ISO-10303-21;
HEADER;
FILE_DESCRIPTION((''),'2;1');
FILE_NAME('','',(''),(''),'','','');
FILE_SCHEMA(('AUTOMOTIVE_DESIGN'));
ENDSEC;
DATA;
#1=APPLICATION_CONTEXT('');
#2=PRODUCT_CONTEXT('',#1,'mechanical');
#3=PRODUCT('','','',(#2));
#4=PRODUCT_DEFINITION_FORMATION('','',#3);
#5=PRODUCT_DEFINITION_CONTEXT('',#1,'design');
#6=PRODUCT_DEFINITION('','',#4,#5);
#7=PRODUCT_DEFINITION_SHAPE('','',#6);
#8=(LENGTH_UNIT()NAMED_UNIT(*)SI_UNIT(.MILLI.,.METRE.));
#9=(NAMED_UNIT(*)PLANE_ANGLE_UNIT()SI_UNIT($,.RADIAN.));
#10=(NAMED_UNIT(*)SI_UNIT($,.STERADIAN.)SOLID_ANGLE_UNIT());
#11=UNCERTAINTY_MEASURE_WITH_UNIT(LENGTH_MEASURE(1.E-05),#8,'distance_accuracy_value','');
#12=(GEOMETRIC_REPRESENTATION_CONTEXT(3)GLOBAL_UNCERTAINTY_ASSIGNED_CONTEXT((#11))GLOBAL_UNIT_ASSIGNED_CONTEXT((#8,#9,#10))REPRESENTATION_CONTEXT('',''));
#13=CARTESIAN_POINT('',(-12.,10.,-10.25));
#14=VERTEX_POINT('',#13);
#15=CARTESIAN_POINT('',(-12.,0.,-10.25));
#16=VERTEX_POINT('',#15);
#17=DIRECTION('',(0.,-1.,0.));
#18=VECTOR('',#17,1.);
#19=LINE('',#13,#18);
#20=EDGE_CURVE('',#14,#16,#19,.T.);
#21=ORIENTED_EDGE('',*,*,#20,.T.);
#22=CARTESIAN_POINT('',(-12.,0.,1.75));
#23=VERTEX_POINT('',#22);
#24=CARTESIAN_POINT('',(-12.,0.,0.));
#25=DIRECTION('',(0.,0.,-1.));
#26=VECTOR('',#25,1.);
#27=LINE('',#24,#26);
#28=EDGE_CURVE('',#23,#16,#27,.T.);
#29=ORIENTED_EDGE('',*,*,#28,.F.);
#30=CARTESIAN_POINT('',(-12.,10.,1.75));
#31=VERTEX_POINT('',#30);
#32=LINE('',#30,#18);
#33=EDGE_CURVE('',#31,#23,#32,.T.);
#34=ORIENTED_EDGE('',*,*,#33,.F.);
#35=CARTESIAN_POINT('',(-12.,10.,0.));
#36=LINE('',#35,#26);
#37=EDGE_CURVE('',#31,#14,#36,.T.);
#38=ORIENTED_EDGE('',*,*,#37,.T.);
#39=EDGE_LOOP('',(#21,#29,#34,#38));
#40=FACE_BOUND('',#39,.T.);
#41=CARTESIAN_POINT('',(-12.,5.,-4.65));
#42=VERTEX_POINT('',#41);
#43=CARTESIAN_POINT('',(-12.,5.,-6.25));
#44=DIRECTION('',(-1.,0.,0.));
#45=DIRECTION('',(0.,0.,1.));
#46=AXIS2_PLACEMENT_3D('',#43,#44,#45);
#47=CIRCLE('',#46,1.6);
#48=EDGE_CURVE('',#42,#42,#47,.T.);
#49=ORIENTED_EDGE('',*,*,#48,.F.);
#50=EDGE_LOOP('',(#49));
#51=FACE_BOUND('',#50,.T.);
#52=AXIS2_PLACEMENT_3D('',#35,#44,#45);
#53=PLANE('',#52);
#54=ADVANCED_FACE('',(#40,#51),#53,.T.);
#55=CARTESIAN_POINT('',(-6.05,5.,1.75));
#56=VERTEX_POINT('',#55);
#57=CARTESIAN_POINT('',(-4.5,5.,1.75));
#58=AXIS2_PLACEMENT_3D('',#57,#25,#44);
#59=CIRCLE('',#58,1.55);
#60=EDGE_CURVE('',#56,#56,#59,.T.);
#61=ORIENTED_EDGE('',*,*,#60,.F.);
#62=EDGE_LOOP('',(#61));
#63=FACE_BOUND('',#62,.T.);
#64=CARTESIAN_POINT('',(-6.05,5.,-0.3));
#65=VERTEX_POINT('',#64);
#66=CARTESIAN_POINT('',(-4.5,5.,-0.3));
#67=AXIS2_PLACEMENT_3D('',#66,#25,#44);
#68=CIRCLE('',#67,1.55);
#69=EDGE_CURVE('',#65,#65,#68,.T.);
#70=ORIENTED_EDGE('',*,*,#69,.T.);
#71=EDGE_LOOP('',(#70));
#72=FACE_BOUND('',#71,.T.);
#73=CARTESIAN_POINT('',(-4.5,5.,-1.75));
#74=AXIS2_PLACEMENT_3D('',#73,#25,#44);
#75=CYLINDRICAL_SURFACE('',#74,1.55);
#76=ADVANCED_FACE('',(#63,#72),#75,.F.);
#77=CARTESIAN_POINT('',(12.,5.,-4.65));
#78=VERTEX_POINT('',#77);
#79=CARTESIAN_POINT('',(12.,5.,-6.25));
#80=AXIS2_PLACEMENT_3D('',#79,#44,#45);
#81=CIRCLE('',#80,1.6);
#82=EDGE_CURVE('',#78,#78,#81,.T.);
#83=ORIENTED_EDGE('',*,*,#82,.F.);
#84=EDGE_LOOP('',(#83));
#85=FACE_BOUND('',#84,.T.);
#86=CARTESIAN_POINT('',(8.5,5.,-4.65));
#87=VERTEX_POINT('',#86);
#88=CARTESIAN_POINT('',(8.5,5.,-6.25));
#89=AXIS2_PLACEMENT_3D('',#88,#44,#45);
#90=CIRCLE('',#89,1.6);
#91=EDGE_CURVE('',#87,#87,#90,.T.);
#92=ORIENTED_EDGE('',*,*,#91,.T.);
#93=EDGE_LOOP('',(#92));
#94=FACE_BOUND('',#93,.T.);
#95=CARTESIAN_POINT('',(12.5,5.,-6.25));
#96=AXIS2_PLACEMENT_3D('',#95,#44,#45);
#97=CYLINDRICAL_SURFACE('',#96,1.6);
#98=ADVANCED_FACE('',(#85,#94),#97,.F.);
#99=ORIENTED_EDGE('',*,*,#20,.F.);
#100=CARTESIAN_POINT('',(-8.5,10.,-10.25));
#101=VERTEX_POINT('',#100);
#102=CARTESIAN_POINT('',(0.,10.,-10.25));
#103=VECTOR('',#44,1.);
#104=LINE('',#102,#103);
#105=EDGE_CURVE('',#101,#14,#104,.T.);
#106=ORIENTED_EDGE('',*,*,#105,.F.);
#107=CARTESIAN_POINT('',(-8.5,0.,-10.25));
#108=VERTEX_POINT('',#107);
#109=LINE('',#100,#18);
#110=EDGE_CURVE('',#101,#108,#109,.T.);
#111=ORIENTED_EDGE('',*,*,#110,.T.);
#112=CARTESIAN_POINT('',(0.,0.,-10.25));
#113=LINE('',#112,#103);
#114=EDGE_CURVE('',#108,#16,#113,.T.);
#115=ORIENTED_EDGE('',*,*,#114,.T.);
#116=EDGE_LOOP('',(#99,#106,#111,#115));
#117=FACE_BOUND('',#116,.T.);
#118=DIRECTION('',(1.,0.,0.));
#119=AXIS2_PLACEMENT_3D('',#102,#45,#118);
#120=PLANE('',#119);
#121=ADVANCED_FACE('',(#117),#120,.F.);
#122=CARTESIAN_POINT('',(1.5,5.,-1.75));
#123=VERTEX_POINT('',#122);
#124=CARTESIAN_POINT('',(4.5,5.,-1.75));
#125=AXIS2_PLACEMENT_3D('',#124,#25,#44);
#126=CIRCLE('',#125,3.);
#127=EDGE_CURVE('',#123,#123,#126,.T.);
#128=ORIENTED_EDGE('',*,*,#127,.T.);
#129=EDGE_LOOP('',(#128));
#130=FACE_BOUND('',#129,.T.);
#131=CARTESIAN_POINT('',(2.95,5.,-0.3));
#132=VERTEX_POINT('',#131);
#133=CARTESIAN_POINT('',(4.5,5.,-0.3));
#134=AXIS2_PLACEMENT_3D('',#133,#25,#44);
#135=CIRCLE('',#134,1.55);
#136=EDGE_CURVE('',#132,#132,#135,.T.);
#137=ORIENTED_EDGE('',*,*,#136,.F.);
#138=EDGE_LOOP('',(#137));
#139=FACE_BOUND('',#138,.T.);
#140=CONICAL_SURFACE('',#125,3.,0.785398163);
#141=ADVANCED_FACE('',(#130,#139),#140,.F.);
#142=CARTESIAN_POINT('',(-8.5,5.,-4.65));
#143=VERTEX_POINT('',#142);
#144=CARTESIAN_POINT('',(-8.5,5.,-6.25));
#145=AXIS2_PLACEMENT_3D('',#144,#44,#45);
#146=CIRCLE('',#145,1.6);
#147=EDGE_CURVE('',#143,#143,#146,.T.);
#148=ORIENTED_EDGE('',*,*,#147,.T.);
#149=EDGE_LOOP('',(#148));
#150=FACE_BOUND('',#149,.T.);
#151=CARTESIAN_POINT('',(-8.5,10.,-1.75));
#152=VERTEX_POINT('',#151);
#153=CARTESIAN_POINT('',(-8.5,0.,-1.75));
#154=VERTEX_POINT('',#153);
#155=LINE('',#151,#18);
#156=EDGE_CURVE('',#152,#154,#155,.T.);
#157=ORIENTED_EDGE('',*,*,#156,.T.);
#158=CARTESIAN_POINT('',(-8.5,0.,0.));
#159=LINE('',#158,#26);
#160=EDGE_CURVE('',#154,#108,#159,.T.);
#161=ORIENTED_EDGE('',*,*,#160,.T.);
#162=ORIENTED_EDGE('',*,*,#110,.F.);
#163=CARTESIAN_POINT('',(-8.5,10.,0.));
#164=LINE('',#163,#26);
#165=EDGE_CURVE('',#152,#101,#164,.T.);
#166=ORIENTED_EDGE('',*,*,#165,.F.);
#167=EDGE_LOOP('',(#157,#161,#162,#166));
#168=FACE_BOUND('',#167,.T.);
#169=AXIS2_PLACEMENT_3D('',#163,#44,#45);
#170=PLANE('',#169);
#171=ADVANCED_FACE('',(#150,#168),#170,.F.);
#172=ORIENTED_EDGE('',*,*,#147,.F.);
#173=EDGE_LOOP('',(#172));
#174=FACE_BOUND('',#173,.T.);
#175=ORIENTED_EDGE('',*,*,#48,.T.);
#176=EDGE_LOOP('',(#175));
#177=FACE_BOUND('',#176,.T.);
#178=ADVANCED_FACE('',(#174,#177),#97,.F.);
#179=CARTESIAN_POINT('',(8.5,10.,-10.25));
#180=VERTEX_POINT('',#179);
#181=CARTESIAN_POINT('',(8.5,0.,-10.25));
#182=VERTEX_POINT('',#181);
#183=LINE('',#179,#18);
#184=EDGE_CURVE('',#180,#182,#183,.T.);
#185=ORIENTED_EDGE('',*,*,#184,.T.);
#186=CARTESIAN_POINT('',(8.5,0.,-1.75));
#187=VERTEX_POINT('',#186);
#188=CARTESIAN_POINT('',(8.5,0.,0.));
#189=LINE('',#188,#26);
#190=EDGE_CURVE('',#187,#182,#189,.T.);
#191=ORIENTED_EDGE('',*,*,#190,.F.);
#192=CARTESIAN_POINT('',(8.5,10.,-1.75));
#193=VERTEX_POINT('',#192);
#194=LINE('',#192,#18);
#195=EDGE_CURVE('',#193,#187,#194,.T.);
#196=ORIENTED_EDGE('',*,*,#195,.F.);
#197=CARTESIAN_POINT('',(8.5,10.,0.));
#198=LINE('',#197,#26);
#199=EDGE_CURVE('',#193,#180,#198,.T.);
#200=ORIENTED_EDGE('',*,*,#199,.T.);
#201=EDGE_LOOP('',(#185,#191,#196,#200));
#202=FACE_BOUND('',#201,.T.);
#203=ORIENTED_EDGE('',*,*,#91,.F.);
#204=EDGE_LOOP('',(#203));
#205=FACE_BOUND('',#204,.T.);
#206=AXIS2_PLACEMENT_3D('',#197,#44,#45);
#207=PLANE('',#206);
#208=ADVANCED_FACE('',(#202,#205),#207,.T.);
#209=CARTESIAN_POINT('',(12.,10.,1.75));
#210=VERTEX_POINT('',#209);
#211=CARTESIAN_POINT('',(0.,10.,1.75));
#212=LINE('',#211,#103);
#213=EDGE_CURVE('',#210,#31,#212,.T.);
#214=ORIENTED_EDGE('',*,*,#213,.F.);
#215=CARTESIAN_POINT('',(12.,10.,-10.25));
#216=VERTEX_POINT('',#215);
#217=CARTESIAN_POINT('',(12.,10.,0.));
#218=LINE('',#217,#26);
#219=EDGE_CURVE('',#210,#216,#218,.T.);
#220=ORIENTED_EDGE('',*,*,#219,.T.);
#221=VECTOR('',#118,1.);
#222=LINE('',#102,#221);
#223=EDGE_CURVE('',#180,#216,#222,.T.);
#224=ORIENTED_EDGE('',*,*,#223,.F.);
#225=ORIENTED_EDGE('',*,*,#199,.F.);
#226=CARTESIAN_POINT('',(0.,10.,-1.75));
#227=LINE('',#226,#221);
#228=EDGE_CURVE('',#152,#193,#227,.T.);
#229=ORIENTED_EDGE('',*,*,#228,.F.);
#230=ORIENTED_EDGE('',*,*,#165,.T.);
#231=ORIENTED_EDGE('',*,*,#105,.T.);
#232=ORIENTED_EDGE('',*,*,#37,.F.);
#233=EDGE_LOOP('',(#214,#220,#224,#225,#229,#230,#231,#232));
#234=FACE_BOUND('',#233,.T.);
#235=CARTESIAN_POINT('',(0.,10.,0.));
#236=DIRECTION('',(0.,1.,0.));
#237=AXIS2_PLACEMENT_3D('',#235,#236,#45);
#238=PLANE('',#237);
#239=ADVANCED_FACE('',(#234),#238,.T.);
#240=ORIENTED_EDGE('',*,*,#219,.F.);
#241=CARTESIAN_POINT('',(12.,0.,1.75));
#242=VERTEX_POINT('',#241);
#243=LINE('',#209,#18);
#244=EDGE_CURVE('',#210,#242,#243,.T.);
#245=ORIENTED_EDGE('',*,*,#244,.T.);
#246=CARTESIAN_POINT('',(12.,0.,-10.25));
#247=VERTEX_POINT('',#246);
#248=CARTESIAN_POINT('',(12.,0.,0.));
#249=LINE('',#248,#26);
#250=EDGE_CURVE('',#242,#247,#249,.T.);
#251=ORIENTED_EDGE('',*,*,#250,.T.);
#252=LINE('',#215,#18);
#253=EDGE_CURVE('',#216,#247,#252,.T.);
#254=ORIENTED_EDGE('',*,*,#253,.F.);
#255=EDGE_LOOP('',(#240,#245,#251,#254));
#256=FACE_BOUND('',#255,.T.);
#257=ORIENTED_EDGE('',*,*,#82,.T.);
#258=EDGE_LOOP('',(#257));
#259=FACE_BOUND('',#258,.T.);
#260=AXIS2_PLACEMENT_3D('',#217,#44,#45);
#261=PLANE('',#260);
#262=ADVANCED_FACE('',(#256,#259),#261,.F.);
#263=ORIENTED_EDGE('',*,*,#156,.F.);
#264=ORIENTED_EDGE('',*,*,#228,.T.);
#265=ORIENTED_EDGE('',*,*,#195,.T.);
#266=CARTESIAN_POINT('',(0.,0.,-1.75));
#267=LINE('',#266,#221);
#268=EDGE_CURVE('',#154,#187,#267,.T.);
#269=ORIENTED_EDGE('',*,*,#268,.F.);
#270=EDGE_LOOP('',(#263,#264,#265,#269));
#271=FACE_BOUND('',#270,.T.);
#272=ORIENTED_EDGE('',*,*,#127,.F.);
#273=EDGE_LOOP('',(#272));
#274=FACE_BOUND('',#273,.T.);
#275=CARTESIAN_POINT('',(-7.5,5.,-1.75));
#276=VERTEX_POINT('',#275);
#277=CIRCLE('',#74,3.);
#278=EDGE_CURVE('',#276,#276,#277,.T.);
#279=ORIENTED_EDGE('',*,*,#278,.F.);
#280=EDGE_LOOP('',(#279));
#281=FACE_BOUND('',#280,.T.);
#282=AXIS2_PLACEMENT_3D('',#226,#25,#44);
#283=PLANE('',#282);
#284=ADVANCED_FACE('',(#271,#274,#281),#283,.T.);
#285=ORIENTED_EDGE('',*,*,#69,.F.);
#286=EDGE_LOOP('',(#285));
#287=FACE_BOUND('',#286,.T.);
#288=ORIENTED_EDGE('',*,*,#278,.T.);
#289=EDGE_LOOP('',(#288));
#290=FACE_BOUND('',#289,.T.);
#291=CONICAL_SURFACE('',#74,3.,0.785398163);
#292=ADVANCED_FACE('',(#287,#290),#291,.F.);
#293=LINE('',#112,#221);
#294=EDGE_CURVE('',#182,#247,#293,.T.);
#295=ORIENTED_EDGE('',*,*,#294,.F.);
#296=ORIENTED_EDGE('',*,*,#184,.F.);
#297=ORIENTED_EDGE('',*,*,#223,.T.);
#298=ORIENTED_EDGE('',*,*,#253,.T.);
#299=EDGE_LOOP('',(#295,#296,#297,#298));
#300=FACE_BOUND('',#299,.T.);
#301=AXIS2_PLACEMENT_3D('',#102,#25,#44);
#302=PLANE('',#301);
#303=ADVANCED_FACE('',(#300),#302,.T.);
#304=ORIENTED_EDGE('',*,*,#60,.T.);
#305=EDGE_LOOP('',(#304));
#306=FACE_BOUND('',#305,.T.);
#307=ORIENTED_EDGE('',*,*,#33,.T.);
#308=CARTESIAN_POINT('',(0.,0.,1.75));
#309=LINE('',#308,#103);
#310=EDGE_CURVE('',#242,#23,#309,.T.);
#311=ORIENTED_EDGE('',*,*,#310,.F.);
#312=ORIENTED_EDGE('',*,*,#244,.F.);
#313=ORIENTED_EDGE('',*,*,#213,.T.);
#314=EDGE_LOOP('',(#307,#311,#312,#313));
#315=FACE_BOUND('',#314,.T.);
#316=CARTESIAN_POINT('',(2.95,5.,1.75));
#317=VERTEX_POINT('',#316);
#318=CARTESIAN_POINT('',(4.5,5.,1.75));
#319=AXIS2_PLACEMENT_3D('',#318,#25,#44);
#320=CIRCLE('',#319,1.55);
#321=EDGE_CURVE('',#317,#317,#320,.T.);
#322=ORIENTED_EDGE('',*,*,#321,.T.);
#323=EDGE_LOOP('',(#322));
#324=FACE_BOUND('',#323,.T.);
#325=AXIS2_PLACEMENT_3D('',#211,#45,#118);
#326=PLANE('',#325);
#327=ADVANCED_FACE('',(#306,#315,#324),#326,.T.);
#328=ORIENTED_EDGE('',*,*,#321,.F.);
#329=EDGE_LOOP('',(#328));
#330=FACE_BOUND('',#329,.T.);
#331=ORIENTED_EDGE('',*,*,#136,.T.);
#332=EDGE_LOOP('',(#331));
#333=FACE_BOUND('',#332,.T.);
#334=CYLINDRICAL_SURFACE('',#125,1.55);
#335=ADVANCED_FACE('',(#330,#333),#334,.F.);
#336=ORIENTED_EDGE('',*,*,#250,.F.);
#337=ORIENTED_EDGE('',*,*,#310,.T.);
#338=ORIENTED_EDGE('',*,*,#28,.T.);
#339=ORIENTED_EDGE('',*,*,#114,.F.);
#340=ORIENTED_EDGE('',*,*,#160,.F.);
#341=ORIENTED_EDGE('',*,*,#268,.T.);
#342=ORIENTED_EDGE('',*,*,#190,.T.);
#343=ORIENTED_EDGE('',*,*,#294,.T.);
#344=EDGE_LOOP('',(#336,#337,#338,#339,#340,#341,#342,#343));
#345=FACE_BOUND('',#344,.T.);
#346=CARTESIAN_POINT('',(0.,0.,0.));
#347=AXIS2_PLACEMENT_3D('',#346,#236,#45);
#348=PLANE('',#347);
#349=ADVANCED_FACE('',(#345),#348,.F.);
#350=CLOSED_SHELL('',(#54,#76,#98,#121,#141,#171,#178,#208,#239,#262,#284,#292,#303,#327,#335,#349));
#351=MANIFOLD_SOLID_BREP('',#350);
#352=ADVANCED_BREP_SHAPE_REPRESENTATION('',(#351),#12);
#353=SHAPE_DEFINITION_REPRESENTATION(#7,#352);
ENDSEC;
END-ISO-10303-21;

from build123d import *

# Parameters (mm, degrees)
SKETCH1_W                                           = 17
SKETCH1_H                                           = 3.5
BOSS_EXTRUDE1_DEPTH                                 = 10
SKETCH2_R                                           = 1.6
CUT_EXTRUDE1_DEPTH                                  = 25
SKETCH3_R                                           = 1.5
CUT_EXTRUDE2_DEPTH                                  = 4.5
CSK_FOR_M4_COUNTERSUNK_FLAT_HEAD_SCREW1_D           = 3.1
CSK_FOR_M4_COUNTERSUNK_FLAT_HEAD_SCREW1_CSINK_D     = 6
CSK_FOR_M4_COUNTERSUNK_FLAT_HEAD_SCREW1_CSINK_ANGLE = 90


with BuildPart() as part:
    # Sketch1 → Boss-Extrude1 (new body)
    with BuildSketch(Plane(origin=(0, 0, 0), x_dir=(1, 0, 0), z_dir=(0, 1, 0))):
        Polygon((-12, -1.75), (-8.5, -1.75), (-8.5, 1.75), (-8.5, 10.25), (-12, 10.25), align=None)
        Rectangle(SKETCH1_W, SKETCH1_H)
        Polygon((8.5, 1.75), (8.5, -1.75), (12, -1.75), (12, 10.25), (8.5, 10.25), align=None)
    extrude(amount=BOSS_EXTRUDE1_DEPTH)

    # Sketch2 → Cut-Extrude1 (cut, through all)
    with BuildSketch(Plane.ZY.offset(12)):
        with Locations((-6.25, 5)):
            Circle(SKETCH2_R)
    extrude(amount=-CUT_EXTRUDE1_DEPTH, mode=Mode.SUBTRACT)

    # Sketch3 → Cut-Extrude2 (cut, through all)
    with BuildSketch(Plane(origin=(0, 0, -1.75), x_dir=(-1, 0, 0), z_dir=(0, 0, -1))):
        with Locations((-4.5, 5)):
            Circle(SKETCH3_R)
        with Locations((4.5, 5)):
            Circle(SKETCH3_R)
    extrude(amount=-CUT_EXTRUDE2_DEPTH, mode=Mode.SUBTRACT)

    # CSK for M4 Countersunk Flat Head Screw1 (through all)
    with Locations(Plane(origin=(4.5, 5, -1.75), x_dir=(-1, 0, 0), z_dir=(0, 0, -1))):
        with Locations((0, 0), (9, 0)):
            CounterSinkHole(CSK_FOR_M4_COUNTERSUNK_FLAT_HEAD_SCREW1_D / 2, CSK_FOR_M4_COUNTERSUNK_FLAT_HEAD_SCREW1_CSINK_D / 2, counter_sink_angle=CSK_FOR_M4_COUNTERSUNK_FLAT_HEAD_SCREW1_CSINK_ANGLE)


solid = part.part
